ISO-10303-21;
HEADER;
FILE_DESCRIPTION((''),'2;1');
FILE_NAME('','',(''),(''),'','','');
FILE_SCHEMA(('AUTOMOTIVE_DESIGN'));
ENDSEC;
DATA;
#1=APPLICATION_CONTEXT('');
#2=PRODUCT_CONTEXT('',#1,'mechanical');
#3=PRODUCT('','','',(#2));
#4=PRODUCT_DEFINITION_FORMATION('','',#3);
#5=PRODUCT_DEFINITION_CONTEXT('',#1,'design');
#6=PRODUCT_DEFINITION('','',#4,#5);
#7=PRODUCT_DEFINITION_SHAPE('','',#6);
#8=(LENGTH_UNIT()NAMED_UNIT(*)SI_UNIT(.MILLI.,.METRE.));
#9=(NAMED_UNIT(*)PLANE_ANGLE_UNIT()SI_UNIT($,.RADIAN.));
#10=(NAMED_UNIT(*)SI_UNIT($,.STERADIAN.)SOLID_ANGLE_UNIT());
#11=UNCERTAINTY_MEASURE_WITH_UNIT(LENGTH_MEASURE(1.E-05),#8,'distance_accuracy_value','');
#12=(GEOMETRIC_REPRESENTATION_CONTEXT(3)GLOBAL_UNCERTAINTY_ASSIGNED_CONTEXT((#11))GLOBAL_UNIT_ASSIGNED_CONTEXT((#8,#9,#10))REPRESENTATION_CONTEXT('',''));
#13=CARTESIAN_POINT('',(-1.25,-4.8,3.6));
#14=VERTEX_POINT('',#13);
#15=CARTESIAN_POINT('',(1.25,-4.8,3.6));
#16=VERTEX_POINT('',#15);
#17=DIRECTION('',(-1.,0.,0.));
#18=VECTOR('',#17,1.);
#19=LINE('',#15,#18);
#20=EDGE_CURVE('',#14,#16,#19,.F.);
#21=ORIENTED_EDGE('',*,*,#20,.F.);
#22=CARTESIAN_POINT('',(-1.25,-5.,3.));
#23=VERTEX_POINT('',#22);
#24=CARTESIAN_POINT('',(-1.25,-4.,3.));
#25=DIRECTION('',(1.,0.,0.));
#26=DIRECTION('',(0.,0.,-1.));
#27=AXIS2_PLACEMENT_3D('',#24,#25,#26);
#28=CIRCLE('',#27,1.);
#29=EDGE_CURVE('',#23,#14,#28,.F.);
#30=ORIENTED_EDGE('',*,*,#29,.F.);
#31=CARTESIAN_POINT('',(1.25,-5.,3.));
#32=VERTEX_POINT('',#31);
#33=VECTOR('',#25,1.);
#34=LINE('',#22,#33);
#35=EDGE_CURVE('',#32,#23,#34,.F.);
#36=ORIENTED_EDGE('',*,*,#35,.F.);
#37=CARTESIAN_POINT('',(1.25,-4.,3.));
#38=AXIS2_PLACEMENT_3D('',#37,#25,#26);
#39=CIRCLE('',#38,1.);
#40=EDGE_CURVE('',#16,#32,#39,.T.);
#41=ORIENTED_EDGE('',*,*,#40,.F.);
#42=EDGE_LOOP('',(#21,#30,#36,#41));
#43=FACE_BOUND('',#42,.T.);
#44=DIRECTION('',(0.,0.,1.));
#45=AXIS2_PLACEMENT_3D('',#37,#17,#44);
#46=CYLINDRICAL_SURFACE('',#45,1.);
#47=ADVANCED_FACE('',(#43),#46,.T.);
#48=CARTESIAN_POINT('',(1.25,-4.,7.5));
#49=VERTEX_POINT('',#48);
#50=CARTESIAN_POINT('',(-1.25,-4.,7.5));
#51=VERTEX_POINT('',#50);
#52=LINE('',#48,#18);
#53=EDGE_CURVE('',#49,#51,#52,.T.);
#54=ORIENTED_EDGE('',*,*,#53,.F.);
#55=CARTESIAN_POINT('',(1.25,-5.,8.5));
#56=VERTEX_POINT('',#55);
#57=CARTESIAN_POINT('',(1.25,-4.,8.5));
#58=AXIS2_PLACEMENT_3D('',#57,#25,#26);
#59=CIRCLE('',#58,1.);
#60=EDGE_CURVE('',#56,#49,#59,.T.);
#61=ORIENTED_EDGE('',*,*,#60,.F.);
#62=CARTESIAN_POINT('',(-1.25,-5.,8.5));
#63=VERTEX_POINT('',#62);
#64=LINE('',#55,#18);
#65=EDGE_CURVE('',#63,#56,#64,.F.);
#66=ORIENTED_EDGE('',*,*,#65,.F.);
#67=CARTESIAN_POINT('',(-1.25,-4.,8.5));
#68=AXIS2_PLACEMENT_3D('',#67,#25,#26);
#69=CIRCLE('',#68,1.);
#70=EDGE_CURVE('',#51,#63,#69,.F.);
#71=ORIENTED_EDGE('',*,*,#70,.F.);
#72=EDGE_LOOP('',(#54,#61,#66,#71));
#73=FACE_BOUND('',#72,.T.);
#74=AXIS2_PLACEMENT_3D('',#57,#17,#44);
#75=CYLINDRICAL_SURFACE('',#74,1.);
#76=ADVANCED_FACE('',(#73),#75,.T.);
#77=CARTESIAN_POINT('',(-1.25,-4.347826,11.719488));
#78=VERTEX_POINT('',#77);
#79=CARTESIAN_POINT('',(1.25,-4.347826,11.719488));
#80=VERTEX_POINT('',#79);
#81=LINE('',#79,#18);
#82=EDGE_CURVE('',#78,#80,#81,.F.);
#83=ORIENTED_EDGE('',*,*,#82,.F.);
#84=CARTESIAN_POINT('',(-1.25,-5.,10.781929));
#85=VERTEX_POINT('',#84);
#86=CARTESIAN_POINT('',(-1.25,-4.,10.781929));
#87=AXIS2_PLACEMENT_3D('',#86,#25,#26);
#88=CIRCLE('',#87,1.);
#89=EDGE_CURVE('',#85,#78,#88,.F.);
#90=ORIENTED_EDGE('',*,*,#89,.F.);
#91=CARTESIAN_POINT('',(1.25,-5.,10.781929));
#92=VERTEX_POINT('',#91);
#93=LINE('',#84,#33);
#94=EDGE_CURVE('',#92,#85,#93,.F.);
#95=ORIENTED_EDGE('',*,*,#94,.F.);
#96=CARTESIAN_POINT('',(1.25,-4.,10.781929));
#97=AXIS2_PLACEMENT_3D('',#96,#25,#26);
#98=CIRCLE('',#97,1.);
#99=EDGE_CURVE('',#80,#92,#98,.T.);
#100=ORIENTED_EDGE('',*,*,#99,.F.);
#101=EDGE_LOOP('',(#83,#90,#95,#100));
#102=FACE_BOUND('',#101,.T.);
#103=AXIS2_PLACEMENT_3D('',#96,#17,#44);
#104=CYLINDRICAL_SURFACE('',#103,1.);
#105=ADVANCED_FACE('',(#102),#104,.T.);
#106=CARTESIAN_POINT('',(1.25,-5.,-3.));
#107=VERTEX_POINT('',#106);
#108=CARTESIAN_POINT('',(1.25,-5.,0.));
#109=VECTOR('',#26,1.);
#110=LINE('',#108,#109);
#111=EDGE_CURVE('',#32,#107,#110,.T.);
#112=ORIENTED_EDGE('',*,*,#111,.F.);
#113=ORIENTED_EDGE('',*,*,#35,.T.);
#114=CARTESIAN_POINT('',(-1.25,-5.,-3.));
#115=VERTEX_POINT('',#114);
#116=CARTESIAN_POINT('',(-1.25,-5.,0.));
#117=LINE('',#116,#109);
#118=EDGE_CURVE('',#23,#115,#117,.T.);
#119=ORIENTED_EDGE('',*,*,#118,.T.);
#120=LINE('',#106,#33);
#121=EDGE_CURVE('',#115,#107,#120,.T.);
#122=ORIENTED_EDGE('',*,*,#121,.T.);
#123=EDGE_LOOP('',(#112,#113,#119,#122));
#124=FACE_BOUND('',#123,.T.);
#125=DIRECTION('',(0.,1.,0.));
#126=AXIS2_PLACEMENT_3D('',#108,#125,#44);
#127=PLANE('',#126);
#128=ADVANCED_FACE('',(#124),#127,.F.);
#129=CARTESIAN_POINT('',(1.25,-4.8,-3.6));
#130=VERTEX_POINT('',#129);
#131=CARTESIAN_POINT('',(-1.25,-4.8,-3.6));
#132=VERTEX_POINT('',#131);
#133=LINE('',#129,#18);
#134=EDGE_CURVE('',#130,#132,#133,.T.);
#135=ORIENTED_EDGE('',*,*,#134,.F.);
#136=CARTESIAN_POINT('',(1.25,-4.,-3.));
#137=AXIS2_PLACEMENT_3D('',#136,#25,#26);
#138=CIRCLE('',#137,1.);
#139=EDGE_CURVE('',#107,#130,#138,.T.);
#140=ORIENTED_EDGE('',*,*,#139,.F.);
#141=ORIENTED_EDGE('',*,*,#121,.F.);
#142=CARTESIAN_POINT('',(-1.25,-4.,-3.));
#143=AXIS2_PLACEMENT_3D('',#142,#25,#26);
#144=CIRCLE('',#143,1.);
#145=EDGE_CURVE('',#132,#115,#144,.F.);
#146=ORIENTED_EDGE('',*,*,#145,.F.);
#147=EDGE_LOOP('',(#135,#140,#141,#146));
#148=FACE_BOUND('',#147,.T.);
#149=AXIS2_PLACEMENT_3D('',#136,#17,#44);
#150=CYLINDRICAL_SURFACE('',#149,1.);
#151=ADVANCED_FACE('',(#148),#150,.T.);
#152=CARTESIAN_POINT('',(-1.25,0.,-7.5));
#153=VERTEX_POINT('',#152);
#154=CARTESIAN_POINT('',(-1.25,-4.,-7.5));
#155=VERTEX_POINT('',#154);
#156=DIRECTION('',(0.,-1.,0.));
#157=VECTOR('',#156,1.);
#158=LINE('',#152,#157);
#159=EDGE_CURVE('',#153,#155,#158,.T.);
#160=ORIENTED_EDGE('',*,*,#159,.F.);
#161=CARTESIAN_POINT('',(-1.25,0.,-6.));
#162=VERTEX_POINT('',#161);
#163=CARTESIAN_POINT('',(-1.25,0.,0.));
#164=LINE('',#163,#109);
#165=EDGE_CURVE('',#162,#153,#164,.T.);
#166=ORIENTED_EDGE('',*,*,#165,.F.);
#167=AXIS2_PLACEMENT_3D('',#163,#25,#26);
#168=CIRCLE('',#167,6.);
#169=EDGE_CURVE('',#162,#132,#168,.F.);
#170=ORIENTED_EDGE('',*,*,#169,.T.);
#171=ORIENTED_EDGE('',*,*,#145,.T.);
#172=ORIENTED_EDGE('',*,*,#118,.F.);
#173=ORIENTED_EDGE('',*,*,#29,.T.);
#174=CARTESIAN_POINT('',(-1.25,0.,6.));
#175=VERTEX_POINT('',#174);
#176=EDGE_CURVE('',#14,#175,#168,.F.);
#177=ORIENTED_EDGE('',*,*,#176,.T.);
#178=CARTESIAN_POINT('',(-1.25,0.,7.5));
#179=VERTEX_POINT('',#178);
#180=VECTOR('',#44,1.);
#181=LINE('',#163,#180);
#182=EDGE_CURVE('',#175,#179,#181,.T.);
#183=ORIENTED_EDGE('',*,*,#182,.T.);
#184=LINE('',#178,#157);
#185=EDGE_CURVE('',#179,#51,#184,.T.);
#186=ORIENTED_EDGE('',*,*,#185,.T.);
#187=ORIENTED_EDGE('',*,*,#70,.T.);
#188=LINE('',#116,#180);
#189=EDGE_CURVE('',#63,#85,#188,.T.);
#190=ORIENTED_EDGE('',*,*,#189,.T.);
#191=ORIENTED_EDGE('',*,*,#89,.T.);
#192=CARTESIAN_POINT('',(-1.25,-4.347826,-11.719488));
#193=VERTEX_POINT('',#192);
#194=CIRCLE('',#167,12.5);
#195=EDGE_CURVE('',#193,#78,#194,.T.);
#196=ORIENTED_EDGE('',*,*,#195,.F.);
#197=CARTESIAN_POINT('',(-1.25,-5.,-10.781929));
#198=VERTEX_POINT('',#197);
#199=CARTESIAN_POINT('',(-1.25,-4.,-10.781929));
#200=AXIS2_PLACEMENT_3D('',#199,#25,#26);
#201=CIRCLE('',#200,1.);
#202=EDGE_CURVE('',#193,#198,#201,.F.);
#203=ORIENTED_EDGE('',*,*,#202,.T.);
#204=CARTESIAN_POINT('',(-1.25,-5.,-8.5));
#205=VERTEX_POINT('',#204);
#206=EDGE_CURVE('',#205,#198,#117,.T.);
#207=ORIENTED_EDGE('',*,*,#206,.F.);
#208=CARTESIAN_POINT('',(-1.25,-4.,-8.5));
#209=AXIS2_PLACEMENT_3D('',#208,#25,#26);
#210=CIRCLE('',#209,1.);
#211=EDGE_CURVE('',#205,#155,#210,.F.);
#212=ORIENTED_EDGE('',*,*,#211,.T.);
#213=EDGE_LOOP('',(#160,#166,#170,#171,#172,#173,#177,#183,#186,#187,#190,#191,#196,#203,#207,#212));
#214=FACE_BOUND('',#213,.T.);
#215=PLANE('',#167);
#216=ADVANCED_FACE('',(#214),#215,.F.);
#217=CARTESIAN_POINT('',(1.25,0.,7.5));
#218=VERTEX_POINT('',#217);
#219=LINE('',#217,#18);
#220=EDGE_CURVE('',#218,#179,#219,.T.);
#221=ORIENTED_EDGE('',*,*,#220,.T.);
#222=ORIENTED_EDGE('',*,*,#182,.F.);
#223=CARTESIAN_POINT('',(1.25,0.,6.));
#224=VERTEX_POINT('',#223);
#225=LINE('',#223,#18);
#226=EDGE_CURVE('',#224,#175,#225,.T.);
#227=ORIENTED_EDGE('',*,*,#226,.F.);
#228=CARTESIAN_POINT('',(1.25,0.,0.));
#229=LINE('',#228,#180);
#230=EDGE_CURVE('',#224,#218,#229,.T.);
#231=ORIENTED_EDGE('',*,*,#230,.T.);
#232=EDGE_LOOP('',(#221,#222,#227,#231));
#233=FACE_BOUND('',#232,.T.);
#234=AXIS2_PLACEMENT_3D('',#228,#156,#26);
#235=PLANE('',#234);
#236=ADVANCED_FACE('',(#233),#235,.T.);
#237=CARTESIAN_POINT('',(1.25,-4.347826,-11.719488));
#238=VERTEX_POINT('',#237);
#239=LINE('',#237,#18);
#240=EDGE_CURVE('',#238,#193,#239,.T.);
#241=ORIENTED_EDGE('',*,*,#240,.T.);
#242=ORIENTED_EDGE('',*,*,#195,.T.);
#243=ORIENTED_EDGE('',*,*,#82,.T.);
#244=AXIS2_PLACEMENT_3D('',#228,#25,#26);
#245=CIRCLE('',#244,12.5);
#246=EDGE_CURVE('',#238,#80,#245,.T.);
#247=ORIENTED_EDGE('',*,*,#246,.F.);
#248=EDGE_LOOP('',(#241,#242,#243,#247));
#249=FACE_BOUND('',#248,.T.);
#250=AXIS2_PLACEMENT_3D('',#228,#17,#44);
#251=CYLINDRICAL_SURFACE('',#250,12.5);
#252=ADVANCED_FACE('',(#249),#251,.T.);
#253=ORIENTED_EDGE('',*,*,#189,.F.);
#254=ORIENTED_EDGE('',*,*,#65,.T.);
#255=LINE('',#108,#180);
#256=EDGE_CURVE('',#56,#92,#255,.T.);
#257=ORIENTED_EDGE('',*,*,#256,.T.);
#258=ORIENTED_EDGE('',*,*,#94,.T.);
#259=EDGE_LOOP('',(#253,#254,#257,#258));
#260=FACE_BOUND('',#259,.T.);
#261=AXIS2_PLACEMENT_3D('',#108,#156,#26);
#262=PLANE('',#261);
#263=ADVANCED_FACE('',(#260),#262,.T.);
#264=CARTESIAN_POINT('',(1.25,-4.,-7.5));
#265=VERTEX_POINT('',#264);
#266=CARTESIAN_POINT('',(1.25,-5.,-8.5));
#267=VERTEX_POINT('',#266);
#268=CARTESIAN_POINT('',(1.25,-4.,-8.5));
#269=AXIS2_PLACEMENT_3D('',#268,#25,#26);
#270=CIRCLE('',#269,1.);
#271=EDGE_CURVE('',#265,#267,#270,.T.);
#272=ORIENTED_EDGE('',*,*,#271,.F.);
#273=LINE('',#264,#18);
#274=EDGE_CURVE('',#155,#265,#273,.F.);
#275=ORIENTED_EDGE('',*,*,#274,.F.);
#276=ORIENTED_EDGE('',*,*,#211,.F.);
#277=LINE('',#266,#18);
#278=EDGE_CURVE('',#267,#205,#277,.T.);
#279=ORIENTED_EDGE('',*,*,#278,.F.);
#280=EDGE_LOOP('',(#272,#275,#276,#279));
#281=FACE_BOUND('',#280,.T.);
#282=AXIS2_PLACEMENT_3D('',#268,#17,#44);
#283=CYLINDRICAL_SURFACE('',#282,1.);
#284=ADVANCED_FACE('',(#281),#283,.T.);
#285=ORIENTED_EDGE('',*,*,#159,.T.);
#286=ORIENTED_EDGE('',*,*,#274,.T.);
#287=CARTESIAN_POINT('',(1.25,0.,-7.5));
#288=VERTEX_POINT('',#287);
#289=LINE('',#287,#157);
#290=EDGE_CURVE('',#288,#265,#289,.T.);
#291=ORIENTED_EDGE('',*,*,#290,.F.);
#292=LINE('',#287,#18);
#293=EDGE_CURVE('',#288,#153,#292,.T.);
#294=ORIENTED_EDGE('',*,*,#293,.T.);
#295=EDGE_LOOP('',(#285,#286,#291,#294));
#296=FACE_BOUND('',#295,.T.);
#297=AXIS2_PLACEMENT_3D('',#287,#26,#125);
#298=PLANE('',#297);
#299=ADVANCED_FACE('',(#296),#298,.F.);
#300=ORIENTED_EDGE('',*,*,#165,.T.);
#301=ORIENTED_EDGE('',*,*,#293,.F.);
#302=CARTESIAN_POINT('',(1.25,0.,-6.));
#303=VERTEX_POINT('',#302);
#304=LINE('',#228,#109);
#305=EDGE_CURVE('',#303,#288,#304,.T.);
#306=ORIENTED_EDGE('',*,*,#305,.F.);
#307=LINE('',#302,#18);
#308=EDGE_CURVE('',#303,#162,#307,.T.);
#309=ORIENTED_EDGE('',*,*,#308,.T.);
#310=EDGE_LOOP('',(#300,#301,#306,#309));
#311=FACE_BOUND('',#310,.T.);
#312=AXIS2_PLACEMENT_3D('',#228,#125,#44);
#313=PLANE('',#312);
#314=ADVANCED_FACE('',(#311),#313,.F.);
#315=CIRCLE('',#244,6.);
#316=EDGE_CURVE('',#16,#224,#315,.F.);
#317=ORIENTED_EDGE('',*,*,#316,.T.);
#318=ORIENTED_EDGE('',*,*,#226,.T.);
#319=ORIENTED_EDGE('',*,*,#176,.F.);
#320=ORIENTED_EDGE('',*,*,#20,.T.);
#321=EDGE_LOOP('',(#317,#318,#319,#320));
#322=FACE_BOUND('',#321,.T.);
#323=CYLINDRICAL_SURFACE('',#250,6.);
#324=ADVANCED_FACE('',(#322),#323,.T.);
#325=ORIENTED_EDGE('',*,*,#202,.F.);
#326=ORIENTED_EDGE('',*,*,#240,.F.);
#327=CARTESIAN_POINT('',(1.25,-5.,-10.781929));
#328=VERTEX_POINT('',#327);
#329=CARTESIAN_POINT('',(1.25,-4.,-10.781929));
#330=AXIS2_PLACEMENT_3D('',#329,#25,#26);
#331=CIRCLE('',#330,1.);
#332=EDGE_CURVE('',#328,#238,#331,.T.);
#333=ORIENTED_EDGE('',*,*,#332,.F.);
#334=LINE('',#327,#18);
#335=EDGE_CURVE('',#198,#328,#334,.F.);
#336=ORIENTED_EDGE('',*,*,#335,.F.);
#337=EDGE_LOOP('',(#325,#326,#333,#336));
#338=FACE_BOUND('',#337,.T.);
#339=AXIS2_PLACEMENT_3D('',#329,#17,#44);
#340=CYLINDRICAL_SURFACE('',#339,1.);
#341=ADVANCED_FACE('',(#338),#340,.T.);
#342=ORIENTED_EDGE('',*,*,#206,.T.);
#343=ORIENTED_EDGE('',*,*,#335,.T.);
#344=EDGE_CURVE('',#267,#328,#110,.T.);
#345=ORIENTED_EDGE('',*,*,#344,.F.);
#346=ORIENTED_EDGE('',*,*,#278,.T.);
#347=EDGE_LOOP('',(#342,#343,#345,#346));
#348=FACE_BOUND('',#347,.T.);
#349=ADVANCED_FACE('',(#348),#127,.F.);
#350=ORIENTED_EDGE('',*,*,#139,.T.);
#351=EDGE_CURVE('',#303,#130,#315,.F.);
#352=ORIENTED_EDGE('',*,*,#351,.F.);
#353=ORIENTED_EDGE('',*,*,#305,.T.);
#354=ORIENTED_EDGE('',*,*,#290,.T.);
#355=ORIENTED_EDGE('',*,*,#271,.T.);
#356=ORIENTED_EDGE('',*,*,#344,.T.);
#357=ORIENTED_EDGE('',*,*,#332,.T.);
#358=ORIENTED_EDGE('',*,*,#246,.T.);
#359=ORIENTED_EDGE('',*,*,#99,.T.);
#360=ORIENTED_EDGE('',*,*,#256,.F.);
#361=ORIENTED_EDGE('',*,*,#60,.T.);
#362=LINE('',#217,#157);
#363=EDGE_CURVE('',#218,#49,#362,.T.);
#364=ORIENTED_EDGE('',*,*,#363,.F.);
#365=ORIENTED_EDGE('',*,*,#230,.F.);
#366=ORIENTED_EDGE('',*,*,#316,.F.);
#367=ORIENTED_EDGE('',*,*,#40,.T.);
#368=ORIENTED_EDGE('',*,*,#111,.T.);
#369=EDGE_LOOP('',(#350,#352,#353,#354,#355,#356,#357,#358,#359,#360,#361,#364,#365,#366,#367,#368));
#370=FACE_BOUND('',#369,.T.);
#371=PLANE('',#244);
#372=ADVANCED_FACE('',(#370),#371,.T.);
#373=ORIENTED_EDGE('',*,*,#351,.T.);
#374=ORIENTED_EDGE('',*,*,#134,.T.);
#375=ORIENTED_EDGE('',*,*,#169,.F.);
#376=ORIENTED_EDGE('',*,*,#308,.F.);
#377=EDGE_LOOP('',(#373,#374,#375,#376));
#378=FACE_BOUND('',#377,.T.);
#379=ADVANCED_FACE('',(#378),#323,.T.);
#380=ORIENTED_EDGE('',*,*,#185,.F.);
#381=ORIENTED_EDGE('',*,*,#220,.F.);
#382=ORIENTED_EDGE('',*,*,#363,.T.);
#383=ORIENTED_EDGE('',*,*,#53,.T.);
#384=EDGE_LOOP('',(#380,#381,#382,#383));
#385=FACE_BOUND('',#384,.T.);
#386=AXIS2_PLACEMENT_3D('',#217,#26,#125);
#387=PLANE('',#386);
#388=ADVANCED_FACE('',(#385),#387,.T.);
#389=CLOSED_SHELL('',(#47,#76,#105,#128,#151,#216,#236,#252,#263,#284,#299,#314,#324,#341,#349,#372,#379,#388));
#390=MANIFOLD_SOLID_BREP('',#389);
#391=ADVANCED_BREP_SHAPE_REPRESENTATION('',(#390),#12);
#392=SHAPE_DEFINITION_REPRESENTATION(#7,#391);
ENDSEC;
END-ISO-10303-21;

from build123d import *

# Parameters (mm, degrees)
BOSS_EXTRUDE1_DEPTH = 1.25
FILLET1_R           = 1


with BuildPart() as part:
    # Sketch1 → Boss-Extrude1 (new, symmetric)
    with BuildSketch(Plane(origin=(0, 0, 0), x_dir=(0, 0, -1), z_dir=(1, 0, 0))):
        with BuildLine():
            Line((7.5, -5), (11.456439237, -5))
            ThreePointArc((11.456439237, -5), (12.5, 0), (11.456439237, 5))
            Line((11.456439237, 5), (-11.456439237, 5))
            ThreePointArc((-11.456439237, 5), (-12.5, 0), (-11.456439237, -5))
            Line((-11.456439237, -5), (-7.5, -5))
            Line((-7.5, -5), (-7.5, 0))
            Line((-7.5, 0), (-6, 0))
            ThreePointArc((-6, 0), (-5.286764074, -2.837274331), (-3.31662479, -5))
            Line((-3.31662479, -5), (-4.153311931, -5))
            Line((-4.153311931, -5), (3.31662479, -5))
            ThreePointArc((3.31662479, -5), (5.286764074, -2.837274331), (6, 0))
            Line((6, 0), (7.5, 0))
            Line((7.5, 0), (7.5, -5))
        make_face()
        with BuildLine():
            ThreePointArc((11.456439237, 5), (0, 12.5), (-11.456439237, 5))
            Line((-11.456439237, 5), (11.456439237, 5))
        make_face()
    extrude(amount=BOSS_EXTRUDE1_DEPTH, both=True)

    # Fillet1
    fillet1_edges = [part.edges().sort_by_distance(p)[0] for p in [
        (0, -5, -3.31662479),
        (0, -5, 3.31662479),
        (0, -5, 7.5),
        (0, -5, 11.456439237),
        (0, -5, -11.456439237),
        (0, -5, -7.5),
    ]]
    fillet(fillet1_edges, radius=FILLET1_R)


solid = part.part
